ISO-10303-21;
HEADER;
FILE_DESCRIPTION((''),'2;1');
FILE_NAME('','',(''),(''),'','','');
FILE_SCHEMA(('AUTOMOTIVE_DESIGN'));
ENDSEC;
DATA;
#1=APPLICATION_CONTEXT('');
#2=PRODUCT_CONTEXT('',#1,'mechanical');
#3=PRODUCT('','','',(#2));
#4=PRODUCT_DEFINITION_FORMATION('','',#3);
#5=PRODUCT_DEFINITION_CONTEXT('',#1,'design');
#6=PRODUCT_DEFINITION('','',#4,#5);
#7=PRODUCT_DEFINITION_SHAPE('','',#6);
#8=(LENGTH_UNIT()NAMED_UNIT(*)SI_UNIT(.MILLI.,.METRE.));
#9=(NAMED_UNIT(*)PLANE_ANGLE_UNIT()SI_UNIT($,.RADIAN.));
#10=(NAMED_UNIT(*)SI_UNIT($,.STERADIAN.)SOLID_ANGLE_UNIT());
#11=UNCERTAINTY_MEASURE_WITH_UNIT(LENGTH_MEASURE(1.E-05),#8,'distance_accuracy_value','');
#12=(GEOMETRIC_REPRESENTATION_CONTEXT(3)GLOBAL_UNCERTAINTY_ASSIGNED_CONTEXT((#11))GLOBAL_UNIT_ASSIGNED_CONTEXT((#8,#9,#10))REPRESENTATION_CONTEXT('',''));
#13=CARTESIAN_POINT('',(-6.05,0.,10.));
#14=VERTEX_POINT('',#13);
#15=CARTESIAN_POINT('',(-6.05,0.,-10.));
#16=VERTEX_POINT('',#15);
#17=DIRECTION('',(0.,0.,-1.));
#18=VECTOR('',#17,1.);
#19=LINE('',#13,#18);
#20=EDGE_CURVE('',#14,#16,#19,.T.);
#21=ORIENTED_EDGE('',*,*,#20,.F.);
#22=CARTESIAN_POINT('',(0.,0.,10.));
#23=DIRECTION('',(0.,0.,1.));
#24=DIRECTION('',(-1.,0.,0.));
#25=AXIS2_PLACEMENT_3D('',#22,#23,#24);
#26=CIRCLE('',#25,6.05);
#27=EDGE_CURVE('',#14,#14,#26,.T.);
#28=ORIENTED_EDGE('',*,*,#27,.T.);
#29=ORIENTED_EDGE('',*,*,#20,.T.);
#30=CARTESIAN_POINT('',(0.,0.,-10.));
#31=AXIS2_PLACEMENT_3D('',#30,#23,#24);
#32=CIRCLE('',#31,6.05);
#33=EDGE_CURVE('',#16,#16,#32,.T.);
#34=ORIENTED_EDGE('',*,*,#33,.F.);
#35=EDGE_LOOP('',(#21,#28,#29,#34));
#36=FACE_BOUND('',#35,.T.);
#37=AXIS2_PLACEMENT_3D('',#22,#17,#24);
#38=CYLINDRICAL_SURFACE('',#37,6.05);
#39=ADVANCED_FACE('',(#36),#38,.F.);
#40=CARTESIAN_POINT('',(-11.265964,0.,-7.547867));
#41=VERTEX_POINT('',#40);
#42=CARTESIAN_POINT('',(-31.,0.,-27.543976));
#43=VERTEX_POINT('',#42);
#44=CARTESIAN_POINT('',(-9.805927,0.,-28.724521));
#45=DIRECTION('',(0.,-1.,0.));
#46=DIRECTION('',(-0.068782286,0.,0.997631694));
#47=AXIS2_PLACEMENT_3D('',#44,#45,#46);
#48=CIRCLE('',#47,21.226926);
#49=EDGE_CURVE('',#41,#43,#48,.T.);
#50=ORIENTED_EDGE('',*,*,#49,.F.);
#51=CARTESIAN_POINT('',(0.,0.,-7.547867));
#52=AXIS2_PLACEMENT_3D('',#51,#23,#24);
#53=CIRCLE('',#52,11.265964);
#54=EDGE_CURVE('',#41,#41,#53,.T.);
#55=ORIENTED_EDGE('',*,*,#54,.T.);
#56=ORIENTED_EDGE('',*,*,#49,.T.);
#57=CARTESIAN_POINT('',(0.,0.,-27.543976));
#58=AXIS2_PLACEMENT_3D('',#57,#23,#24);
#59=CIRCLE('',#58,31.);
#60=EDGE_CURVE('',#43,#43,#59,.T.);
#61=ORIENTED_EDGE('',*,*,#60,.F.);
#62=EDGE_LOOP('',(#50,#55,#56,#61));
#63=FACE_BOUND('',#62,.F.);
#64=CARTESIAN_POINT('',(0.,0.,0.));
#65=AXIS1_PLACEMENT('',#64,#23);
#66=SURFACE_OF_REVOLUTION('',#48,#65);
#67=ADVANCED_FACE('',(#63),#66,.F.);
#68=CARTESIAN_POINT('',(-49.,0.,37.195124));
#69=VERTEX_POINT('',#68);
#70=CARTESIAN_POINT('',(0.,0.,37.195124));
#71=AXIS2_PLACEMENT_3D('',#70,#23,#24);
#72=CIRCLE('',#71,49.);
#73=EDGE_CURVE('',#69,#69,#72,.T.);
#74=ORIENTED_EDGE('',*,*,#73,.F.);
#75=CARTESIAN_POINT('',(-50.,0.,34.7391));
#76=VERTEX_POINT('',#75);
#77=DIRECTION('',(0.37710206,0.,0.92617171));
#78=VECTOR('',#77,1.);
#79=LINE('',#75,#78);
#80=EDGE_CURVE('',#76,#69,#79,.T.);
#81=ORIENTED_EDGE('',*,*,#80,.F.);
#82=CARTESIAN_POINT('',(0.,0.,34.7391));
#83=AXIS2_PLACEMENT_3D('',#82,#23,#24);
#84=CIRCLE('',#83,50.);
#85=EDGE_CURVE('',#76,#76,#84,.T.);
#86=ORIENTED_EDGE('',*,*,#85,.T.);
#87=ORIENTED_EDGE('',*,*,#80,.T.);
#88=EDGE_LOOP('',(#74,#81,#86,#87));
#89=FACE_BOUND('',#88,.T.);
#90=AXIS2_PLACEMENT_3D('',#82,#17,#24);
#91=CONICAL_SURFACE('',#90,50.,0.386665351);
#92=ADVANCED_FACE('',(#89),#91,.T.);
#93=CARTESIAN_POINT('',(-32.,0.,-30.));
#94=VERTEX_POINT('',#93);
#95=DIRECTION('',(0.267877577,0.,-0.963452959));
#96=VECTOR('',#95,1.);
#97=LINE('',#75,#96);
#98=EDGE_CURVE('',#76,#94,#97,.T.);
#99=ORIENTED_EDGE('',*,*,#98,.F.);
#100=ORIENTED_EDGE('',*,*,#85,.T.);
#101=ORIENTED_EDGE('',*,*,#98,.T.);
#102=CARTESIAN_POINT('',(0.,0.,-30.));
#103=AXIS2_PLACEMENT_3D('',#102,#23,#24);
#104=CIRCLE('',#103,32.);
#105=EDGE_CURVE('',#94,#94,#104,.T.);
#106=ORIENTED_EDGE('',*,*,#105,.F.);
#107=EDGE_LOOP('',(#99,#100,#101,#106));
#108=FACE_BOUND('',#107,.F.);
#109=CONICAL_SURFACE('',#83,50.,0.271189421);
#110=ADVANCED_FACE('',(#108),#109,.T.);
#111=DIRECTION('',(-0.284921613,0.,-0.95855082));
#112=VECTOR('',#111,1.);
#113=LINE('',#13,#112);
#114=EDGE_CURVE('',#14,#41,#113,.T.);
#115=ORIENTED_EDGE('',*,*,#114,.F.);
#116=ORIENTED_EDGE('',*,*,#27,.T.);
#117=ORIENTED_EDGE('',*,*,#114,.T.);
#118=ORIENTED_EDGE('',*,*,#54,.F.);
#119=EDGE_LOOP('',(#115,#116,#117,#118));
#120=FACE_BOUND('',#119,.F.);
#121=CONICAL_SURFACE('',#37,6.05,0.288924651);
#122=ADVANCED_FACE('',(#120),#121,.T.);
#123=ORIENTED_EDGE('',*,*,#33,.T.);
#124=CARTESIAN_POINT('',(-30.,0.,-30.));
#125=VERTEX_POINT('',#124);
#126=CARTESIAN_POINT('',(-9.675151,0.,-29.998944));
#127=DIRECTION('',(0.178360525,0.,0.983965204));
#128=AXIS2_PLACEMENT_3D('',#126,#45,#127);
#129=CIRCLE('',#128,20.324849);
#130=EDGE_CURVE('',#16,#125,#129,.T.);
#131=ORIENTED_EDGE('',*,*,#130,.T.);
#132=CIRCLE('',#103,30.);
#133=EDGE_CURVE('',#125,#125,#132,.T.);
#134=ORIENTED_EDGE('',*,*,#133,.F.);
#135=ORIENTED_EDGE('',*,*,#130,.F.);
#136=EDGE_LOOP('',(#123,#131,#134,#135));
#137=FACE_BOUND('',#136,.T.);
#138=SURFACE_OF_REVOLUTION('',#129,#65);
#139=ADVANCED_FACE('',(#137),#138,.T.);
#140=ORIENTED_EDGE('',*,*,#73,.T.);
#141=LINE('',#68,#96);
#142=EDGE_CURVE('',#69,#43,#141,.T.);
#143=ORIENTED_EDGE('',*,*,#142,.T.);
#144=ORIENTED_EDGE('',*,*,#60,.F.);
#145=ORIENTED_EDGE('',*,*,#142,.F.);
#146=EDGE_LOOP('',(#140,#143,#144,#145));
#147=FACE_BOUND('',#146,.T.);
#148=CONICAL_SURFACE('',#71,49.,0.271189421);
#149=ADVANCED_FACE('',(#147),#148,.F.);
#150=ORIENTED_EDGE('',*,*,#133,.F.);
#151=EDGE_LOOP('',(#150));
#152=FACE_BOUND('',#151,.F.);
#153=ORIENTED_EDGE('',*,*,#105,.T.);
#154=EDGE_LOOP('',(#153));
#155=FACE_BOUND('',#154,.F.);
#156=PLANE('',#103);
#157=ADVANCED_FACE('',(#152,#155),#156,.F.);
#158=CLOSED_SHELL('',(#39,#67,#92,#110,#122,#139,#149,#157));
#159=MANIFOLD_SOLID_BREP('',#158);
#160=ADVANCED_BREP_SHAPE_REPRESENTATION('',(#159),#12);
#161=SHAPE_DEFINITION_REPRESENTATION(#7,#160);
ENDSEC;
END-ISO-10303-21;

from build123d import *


with BuildPart() as part:
    # Sketch → Revolution (revolve)
    with BuildSketch(Plane.XZ):
        with BuildLine():
            Line((-50, 34.7391), (-32, -30))
            Line((-32, -30), (-30, -30))
            ThreePointArc((-6.05, -10), (-22.702813, -14.398319), (-30, -30))
            Line((-6.05, 10), (-6.05, -10))
            Line((-6.05, 10), (-11.265964, -7.547867))
            ThreePointArc((-11.265964, -7.547867), (-24.914311, -13.814151), (-31, -27.543976))
            Line((-49, 37.195124), (-31, -27.543976))
            Line((-50, 34.7391), (-49, 37.195124))
        make_face()
    revolve(axis=Axis((0, 0, 0), (0, 0, 1)))


solid = part.part
